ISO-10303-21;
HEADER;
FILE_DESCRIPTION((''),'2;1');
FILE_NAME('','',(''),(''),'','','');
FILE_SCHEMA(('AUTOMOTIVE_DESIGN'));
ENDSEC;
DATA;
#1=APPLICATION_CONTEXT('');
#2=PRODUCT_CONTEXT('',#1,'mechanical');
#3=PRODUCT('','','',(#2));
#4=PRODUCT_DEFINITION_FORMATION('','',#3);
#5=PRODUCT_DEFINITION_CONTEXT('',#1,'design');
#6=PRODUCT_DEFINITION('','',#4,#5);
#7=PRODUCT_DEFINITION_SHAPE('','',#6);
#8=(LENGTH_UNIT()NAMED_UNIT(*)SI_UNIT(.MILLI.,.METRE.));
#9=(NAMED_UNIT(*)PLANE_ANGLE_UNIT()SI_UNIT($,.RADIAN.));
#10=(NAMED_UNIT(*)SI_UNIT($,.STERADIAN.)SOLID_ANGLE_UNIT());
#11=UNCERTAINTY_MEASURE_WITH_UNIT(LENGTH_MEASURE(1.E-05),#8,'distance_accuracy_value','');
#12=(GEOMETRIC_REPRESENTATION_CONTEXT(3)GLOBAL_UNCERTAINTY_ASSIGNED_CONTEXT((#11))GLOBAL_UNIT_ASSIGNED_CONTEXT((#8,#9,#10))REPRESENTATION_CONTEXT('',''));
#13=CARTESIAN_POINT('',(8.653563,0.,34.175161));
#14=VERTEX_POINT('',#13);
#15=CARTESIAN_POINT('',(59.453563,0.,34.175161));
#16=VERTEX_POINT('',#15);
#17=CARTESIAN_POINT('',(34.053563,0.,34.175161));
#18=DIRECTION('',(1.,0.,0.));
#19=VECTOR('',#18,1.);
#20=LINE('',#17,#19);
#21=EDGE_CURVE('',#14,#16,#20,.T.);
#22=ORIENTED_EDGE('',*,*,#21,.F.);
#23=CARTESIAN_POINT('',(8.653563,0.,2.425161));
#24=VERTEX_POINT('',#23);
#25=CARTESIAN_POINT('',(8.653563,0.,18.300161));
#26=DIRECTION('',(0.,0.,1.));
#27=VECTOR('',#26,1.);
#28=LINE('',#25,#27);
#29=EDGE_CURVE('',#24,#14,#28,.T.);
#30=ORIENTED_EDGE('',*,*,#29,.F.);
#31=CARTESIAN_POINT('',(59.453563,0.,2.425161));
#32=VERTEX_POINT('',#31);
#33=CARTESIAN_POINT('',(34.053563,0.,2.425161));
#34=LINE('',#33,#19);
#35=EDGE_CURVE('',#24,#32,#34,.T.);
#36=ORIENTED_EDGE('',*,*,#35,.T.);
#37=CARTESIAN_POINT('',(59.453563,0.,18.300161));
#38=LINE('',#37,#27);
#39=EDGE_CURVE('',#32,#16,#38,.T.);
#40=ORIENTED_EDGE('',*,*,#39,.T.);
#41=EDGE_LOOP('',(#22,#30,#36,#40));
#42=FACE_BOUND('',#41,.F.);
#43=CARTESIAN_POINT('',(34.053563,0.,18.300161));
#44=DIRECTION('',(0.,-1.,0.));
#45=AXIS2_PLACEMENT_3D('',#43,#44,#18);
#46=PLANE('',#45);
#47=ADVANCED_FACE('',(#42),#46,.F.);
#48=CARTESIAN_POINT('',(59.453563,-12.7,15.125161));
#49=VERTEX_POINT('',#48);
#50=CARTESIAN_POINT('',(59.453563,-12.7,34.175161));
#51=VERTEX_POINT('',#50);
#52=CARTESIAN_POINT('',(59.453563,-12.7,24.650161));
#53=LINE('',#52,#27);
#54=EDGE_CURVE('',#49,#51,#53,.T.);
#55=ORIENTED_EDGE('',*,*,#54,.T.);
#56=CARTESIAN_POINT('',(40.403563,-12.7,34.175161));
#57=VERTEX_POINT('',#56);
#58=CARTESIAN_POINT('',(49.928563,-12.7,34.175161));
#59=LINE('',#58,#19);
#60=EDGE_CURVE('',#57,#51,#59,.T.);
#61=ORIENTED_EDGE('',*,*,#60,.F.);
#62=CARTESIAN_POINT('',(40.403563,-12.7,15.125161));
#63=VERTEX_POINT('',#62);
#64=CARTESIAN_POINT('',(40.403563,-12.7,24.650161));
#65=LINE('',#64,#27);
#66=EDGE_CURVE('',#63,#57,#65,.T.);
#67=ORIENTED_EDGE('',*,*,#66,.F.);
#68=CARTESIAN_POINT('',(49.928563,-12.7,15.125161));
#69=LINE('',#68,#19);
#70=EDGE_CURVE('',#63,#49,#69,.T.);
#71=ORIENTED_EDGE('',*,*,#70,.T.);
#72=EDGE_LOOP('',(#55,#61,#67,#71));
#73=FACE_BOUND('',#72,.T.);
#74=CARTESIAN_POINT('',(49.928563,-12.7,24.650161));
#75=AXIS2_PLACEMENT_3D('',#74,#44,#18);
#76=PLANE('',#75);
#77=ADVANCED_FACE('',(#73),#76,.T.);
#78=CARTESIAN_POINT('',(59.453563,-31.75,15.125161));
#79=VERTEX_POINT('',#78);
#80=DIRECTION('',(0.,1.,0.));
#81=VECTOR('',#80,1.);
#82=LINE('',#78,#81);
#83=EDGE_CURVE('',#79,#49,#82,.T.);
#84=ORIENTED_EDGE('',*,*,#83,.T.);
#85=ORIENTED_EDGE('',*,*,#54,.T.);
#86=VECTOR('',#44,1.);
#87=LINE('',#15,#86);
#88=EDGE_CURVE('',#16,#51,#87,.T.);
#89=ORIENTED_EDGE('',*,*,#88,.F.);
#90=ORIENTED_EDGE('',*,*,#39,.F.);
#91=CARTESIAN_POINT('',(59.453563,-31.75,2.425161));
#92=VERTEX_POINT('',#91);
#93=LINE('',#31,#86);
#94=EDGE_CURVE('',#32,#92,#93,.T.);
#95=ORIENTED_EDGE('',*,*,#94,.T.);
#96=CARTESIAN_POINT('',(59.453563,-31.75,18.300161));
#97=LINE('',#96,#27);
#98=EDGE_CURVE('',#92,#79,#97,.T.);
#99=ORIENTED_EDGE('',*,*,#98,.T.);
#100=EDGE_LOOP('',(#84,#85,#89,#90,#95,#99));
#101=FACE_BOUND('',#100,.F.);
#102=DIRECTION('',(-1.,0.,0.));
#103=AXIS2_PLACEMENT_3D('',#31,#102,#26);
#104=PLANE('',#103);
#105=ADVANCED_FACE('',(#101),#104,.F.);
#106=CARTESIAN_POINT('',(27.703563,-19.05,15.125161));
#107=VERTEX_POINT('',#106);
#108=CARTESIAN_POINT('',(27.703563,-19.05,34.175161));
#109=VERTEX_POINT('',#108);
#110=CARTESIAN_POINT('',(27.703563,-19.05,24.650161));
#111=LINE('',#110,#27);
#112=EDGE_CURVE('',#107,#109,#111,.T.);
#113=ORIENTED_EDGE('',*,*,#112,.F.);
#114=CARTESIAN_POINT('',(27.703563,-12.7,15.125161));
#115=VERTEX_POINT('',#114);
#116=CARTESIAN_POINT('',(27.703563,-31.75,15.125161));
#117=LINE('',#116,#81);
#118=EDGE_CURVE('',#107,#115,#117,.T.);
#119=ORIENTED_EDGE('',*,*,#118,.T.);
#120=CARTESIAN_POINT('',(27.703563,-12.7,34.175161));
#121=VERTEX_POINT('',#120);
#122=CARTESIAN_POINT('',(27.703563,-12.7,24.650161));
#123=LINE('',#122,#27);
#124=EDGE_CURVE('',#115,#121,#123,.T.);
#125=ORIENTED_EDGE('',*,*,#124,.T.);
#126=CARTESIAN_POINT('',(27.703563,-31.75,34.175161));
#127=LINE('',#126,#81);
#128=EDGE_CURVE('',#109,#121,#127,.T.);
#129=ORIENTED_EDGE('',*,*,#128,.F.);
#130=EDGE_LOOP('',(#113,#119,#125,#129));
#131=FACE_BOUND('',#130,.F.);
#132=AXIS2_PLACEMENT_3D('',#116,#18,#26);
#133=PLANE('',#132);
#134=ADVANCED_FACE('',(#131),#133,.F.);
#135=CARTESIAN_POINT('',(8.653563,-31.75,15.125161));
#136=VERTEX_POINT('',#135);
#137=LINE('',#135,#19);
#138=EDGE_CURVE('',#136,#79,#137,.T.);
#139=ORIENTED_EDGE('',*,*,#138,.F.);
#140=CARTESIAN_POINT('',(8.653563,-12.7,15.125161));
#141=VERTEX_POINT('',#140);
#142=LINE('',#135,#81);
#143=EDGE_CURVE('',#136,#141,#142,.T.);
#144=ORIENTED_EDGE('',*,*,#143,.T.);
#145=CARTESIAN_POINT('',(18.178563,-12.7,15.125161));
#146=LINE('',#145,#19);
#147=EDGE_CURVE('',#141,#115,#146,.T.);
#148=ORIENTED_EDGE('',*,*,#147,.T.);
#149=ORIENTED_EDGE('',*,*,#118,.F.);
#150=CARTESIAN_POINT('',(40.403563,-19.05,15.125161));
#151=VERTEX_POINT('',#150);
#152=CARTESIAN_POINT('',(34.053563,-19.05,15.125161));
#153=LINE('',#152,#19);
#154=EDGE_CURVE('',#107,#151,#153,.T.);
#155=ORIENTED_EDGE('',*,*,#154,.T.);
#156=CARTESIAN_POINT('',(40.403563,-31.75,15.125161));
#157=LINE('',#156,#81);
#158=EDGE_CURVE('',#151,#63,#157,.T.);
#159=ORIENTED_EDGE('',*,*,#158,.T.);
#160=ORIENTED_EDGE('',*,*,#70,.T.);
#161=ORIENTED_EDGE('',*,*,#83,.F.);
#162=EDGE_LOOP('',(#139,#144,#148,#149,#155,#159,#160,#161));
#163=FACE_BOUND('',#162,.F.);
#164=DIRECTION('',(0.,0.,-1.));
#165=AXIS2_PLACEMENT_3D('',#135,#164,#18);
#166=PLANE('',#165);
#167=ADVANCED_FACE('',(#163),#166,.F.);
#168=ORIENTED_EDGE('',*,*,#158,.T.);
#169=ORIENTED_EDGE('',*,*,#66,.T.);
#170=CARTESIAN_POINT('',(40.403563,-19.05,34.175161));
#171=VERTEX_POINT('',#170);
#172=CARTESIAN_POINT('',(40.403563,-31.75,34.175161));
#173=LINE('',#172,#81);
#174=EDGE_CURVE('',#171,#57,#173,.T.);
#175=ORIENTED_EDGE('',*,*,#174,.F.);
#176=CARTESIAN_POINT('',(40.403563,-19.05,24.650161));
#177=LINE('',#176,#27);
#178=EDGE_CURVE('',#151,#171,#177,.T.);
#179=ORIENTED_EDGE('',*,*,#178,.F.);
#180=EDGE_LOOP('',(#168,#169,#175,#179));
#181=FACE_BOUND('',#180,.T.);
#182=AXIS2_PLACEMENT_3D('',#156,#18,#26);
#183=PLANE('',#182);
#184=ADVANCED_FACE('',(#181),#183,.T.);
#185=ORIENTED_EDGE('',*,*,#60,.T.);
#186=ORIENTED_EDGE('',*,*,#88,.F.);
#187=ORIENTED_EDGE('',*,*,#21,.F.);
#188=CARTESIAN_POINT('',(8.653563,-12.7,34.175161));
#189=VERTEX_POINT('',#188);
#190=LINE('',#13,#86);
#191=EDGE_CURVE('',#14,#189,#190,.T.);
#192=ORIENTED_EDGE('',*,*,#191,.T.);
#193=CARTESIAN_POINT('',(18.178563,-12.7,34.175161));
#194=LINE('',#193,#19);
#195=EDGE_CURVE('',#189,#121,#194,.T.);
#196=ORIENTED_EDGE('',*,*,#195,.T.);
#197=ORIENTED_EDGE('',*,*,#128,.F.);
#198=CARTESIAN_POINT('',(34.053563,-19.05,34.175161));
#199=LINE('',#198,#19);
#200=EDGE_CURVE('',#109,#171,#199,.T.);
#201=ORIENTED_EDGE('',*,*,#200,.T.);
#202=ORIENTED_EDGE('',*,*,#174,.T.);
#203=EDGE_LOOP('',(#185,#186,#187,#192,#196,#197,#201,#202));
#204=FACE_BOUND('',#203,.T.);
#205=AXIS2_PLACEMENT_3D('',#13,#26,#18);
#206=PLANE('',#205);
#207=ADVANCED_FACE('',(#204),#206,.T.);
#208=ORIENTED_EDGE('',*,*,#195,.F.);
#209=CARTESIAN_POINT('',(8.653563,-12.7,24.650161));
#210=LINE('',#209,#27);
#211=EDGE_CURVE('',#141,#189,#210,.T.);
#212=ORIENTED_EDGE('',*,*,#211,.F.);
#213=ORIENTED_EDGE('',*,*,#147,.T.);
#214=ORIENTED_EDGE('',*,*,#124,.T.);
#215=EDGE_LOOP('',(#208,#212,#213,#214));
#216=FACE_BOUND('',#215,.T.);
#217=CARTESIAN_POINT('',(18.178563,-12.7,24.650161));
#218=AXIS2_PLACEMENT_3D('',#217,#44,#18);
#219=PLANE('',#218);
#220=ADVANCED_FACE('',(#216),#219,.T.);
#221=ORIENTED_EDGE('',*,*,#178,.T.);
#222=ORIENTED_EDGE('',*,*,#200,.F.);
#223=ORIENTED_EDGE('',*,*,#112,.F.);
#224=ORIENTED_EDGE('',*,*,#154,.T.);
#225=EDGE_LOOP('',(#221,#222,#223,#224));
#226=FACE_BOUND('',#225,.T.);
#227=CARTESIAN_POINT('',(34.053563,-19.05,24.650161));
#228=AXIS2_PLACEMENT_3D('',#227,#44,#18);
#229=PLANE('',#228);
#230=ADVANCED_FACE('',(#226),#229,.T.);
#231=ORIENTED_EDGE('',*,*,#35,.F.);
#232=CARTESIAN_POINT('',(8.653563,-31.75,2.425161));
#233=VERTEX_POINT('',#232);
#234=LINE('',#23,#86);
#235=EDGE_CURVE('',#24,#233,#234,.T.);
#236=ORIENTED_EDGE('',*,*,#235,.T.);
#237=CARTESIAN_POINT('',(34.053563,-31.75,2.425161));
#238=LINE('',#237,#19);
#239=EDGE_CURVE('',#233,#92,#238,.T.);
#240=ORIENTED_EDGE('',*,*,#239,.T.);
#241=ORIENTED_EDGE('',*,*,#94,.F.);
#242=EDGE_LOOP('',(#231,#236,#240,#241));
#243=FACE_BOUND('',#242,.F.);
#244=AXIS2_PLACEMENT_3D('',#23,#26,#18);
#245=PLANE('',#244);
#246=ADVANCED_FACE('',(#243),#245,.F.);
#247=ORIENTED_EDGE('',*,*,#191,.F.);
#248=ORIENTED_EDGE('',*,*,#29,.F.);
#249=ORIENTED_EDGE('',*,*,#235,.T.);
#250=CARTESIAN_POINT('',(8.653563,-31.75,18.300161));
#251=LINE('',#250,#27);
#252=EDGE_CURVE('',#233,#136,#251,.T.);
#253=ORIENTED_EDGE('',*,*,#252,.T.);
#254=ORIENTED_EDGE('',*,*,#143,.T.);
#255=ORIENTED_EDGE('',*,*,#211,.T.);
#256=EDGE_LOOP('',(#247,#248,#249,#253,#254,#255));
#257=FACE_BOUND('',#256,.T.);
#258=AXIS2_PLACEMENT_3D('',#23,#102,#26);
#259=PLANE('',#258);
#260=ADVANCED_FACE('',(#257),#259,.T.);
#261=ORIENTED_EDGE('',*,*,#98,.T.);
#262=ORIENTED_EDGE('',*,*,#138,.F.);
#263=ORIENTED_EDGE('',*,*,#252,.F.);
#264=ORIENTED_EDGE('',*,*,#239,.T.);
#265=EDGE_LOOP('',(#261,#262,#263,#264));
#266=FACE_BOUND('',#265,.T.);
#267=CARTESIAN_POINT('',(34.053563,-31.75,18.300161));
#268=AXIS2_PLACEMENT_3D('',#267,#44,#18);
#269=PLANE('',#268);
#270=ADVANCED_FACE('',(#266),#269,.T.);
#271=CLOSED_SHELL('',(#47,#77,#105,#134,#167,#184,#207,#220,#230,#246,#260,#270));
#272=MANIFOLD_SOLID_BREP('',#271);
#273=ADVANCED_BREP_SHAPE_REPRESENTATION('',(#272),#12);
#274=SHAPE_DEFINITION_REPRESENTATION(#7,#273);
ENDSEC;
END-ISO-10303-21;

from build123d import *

# Parameters (mm, degrees)
F0_W     = 50.8
F0_H     = 31.75
F1_DEPTH = 31.75
F2_W     = 19.05
F2_H     = 19.05
F3_DEPTH = 19.05
F4_W     = 19.05
F4_H     = 19.05
F5_DEPTH = 19.05
F6_W     = 12.7
F6_H     = 19.05
F7_DEPTH = 12.7


with BuildPart() as f1:
    # F0 (on Front) → F1 (new body)
    with BuildSketch(Plane.XZ):
        with Locations((34.053563, 18.300161)):
            Rectangle(F0_W, F0_H)
    extrude(amount=F1_DEPTH)

    # F2 (on face) → F3 (cut)
    with BuildSketch(Plane.XZ.offset(31.75)):
        with Locations((18.178563, 24.650161)):
            Rectangle(F2_W, F2_H)
    extrude(amount=-F3_DEPTH, mode=Mode.SUBTRACT)

    # F4 (on face) → F5 (cut)
    with BuildSketch(Plane.XZ.offset(31.75)):
        with Locations((49.928563, 24.650161)):
            Rectangle(F4_W, F4_H)
    extrude(amount=-F5_DEPTH, mode=Mode.SUBTRACT)

    # F6 (on face) → F7 (cut)
    with BuildSketch(Plane.XZ.offset(31.75)):
        with Locations((34.053563, 24.650161)):
            Rectangle(F6_W, F6_H)
    extrude(amount=-F7_DEPTH, mode=Mode.SUBTRACT)


solid = f1.part
